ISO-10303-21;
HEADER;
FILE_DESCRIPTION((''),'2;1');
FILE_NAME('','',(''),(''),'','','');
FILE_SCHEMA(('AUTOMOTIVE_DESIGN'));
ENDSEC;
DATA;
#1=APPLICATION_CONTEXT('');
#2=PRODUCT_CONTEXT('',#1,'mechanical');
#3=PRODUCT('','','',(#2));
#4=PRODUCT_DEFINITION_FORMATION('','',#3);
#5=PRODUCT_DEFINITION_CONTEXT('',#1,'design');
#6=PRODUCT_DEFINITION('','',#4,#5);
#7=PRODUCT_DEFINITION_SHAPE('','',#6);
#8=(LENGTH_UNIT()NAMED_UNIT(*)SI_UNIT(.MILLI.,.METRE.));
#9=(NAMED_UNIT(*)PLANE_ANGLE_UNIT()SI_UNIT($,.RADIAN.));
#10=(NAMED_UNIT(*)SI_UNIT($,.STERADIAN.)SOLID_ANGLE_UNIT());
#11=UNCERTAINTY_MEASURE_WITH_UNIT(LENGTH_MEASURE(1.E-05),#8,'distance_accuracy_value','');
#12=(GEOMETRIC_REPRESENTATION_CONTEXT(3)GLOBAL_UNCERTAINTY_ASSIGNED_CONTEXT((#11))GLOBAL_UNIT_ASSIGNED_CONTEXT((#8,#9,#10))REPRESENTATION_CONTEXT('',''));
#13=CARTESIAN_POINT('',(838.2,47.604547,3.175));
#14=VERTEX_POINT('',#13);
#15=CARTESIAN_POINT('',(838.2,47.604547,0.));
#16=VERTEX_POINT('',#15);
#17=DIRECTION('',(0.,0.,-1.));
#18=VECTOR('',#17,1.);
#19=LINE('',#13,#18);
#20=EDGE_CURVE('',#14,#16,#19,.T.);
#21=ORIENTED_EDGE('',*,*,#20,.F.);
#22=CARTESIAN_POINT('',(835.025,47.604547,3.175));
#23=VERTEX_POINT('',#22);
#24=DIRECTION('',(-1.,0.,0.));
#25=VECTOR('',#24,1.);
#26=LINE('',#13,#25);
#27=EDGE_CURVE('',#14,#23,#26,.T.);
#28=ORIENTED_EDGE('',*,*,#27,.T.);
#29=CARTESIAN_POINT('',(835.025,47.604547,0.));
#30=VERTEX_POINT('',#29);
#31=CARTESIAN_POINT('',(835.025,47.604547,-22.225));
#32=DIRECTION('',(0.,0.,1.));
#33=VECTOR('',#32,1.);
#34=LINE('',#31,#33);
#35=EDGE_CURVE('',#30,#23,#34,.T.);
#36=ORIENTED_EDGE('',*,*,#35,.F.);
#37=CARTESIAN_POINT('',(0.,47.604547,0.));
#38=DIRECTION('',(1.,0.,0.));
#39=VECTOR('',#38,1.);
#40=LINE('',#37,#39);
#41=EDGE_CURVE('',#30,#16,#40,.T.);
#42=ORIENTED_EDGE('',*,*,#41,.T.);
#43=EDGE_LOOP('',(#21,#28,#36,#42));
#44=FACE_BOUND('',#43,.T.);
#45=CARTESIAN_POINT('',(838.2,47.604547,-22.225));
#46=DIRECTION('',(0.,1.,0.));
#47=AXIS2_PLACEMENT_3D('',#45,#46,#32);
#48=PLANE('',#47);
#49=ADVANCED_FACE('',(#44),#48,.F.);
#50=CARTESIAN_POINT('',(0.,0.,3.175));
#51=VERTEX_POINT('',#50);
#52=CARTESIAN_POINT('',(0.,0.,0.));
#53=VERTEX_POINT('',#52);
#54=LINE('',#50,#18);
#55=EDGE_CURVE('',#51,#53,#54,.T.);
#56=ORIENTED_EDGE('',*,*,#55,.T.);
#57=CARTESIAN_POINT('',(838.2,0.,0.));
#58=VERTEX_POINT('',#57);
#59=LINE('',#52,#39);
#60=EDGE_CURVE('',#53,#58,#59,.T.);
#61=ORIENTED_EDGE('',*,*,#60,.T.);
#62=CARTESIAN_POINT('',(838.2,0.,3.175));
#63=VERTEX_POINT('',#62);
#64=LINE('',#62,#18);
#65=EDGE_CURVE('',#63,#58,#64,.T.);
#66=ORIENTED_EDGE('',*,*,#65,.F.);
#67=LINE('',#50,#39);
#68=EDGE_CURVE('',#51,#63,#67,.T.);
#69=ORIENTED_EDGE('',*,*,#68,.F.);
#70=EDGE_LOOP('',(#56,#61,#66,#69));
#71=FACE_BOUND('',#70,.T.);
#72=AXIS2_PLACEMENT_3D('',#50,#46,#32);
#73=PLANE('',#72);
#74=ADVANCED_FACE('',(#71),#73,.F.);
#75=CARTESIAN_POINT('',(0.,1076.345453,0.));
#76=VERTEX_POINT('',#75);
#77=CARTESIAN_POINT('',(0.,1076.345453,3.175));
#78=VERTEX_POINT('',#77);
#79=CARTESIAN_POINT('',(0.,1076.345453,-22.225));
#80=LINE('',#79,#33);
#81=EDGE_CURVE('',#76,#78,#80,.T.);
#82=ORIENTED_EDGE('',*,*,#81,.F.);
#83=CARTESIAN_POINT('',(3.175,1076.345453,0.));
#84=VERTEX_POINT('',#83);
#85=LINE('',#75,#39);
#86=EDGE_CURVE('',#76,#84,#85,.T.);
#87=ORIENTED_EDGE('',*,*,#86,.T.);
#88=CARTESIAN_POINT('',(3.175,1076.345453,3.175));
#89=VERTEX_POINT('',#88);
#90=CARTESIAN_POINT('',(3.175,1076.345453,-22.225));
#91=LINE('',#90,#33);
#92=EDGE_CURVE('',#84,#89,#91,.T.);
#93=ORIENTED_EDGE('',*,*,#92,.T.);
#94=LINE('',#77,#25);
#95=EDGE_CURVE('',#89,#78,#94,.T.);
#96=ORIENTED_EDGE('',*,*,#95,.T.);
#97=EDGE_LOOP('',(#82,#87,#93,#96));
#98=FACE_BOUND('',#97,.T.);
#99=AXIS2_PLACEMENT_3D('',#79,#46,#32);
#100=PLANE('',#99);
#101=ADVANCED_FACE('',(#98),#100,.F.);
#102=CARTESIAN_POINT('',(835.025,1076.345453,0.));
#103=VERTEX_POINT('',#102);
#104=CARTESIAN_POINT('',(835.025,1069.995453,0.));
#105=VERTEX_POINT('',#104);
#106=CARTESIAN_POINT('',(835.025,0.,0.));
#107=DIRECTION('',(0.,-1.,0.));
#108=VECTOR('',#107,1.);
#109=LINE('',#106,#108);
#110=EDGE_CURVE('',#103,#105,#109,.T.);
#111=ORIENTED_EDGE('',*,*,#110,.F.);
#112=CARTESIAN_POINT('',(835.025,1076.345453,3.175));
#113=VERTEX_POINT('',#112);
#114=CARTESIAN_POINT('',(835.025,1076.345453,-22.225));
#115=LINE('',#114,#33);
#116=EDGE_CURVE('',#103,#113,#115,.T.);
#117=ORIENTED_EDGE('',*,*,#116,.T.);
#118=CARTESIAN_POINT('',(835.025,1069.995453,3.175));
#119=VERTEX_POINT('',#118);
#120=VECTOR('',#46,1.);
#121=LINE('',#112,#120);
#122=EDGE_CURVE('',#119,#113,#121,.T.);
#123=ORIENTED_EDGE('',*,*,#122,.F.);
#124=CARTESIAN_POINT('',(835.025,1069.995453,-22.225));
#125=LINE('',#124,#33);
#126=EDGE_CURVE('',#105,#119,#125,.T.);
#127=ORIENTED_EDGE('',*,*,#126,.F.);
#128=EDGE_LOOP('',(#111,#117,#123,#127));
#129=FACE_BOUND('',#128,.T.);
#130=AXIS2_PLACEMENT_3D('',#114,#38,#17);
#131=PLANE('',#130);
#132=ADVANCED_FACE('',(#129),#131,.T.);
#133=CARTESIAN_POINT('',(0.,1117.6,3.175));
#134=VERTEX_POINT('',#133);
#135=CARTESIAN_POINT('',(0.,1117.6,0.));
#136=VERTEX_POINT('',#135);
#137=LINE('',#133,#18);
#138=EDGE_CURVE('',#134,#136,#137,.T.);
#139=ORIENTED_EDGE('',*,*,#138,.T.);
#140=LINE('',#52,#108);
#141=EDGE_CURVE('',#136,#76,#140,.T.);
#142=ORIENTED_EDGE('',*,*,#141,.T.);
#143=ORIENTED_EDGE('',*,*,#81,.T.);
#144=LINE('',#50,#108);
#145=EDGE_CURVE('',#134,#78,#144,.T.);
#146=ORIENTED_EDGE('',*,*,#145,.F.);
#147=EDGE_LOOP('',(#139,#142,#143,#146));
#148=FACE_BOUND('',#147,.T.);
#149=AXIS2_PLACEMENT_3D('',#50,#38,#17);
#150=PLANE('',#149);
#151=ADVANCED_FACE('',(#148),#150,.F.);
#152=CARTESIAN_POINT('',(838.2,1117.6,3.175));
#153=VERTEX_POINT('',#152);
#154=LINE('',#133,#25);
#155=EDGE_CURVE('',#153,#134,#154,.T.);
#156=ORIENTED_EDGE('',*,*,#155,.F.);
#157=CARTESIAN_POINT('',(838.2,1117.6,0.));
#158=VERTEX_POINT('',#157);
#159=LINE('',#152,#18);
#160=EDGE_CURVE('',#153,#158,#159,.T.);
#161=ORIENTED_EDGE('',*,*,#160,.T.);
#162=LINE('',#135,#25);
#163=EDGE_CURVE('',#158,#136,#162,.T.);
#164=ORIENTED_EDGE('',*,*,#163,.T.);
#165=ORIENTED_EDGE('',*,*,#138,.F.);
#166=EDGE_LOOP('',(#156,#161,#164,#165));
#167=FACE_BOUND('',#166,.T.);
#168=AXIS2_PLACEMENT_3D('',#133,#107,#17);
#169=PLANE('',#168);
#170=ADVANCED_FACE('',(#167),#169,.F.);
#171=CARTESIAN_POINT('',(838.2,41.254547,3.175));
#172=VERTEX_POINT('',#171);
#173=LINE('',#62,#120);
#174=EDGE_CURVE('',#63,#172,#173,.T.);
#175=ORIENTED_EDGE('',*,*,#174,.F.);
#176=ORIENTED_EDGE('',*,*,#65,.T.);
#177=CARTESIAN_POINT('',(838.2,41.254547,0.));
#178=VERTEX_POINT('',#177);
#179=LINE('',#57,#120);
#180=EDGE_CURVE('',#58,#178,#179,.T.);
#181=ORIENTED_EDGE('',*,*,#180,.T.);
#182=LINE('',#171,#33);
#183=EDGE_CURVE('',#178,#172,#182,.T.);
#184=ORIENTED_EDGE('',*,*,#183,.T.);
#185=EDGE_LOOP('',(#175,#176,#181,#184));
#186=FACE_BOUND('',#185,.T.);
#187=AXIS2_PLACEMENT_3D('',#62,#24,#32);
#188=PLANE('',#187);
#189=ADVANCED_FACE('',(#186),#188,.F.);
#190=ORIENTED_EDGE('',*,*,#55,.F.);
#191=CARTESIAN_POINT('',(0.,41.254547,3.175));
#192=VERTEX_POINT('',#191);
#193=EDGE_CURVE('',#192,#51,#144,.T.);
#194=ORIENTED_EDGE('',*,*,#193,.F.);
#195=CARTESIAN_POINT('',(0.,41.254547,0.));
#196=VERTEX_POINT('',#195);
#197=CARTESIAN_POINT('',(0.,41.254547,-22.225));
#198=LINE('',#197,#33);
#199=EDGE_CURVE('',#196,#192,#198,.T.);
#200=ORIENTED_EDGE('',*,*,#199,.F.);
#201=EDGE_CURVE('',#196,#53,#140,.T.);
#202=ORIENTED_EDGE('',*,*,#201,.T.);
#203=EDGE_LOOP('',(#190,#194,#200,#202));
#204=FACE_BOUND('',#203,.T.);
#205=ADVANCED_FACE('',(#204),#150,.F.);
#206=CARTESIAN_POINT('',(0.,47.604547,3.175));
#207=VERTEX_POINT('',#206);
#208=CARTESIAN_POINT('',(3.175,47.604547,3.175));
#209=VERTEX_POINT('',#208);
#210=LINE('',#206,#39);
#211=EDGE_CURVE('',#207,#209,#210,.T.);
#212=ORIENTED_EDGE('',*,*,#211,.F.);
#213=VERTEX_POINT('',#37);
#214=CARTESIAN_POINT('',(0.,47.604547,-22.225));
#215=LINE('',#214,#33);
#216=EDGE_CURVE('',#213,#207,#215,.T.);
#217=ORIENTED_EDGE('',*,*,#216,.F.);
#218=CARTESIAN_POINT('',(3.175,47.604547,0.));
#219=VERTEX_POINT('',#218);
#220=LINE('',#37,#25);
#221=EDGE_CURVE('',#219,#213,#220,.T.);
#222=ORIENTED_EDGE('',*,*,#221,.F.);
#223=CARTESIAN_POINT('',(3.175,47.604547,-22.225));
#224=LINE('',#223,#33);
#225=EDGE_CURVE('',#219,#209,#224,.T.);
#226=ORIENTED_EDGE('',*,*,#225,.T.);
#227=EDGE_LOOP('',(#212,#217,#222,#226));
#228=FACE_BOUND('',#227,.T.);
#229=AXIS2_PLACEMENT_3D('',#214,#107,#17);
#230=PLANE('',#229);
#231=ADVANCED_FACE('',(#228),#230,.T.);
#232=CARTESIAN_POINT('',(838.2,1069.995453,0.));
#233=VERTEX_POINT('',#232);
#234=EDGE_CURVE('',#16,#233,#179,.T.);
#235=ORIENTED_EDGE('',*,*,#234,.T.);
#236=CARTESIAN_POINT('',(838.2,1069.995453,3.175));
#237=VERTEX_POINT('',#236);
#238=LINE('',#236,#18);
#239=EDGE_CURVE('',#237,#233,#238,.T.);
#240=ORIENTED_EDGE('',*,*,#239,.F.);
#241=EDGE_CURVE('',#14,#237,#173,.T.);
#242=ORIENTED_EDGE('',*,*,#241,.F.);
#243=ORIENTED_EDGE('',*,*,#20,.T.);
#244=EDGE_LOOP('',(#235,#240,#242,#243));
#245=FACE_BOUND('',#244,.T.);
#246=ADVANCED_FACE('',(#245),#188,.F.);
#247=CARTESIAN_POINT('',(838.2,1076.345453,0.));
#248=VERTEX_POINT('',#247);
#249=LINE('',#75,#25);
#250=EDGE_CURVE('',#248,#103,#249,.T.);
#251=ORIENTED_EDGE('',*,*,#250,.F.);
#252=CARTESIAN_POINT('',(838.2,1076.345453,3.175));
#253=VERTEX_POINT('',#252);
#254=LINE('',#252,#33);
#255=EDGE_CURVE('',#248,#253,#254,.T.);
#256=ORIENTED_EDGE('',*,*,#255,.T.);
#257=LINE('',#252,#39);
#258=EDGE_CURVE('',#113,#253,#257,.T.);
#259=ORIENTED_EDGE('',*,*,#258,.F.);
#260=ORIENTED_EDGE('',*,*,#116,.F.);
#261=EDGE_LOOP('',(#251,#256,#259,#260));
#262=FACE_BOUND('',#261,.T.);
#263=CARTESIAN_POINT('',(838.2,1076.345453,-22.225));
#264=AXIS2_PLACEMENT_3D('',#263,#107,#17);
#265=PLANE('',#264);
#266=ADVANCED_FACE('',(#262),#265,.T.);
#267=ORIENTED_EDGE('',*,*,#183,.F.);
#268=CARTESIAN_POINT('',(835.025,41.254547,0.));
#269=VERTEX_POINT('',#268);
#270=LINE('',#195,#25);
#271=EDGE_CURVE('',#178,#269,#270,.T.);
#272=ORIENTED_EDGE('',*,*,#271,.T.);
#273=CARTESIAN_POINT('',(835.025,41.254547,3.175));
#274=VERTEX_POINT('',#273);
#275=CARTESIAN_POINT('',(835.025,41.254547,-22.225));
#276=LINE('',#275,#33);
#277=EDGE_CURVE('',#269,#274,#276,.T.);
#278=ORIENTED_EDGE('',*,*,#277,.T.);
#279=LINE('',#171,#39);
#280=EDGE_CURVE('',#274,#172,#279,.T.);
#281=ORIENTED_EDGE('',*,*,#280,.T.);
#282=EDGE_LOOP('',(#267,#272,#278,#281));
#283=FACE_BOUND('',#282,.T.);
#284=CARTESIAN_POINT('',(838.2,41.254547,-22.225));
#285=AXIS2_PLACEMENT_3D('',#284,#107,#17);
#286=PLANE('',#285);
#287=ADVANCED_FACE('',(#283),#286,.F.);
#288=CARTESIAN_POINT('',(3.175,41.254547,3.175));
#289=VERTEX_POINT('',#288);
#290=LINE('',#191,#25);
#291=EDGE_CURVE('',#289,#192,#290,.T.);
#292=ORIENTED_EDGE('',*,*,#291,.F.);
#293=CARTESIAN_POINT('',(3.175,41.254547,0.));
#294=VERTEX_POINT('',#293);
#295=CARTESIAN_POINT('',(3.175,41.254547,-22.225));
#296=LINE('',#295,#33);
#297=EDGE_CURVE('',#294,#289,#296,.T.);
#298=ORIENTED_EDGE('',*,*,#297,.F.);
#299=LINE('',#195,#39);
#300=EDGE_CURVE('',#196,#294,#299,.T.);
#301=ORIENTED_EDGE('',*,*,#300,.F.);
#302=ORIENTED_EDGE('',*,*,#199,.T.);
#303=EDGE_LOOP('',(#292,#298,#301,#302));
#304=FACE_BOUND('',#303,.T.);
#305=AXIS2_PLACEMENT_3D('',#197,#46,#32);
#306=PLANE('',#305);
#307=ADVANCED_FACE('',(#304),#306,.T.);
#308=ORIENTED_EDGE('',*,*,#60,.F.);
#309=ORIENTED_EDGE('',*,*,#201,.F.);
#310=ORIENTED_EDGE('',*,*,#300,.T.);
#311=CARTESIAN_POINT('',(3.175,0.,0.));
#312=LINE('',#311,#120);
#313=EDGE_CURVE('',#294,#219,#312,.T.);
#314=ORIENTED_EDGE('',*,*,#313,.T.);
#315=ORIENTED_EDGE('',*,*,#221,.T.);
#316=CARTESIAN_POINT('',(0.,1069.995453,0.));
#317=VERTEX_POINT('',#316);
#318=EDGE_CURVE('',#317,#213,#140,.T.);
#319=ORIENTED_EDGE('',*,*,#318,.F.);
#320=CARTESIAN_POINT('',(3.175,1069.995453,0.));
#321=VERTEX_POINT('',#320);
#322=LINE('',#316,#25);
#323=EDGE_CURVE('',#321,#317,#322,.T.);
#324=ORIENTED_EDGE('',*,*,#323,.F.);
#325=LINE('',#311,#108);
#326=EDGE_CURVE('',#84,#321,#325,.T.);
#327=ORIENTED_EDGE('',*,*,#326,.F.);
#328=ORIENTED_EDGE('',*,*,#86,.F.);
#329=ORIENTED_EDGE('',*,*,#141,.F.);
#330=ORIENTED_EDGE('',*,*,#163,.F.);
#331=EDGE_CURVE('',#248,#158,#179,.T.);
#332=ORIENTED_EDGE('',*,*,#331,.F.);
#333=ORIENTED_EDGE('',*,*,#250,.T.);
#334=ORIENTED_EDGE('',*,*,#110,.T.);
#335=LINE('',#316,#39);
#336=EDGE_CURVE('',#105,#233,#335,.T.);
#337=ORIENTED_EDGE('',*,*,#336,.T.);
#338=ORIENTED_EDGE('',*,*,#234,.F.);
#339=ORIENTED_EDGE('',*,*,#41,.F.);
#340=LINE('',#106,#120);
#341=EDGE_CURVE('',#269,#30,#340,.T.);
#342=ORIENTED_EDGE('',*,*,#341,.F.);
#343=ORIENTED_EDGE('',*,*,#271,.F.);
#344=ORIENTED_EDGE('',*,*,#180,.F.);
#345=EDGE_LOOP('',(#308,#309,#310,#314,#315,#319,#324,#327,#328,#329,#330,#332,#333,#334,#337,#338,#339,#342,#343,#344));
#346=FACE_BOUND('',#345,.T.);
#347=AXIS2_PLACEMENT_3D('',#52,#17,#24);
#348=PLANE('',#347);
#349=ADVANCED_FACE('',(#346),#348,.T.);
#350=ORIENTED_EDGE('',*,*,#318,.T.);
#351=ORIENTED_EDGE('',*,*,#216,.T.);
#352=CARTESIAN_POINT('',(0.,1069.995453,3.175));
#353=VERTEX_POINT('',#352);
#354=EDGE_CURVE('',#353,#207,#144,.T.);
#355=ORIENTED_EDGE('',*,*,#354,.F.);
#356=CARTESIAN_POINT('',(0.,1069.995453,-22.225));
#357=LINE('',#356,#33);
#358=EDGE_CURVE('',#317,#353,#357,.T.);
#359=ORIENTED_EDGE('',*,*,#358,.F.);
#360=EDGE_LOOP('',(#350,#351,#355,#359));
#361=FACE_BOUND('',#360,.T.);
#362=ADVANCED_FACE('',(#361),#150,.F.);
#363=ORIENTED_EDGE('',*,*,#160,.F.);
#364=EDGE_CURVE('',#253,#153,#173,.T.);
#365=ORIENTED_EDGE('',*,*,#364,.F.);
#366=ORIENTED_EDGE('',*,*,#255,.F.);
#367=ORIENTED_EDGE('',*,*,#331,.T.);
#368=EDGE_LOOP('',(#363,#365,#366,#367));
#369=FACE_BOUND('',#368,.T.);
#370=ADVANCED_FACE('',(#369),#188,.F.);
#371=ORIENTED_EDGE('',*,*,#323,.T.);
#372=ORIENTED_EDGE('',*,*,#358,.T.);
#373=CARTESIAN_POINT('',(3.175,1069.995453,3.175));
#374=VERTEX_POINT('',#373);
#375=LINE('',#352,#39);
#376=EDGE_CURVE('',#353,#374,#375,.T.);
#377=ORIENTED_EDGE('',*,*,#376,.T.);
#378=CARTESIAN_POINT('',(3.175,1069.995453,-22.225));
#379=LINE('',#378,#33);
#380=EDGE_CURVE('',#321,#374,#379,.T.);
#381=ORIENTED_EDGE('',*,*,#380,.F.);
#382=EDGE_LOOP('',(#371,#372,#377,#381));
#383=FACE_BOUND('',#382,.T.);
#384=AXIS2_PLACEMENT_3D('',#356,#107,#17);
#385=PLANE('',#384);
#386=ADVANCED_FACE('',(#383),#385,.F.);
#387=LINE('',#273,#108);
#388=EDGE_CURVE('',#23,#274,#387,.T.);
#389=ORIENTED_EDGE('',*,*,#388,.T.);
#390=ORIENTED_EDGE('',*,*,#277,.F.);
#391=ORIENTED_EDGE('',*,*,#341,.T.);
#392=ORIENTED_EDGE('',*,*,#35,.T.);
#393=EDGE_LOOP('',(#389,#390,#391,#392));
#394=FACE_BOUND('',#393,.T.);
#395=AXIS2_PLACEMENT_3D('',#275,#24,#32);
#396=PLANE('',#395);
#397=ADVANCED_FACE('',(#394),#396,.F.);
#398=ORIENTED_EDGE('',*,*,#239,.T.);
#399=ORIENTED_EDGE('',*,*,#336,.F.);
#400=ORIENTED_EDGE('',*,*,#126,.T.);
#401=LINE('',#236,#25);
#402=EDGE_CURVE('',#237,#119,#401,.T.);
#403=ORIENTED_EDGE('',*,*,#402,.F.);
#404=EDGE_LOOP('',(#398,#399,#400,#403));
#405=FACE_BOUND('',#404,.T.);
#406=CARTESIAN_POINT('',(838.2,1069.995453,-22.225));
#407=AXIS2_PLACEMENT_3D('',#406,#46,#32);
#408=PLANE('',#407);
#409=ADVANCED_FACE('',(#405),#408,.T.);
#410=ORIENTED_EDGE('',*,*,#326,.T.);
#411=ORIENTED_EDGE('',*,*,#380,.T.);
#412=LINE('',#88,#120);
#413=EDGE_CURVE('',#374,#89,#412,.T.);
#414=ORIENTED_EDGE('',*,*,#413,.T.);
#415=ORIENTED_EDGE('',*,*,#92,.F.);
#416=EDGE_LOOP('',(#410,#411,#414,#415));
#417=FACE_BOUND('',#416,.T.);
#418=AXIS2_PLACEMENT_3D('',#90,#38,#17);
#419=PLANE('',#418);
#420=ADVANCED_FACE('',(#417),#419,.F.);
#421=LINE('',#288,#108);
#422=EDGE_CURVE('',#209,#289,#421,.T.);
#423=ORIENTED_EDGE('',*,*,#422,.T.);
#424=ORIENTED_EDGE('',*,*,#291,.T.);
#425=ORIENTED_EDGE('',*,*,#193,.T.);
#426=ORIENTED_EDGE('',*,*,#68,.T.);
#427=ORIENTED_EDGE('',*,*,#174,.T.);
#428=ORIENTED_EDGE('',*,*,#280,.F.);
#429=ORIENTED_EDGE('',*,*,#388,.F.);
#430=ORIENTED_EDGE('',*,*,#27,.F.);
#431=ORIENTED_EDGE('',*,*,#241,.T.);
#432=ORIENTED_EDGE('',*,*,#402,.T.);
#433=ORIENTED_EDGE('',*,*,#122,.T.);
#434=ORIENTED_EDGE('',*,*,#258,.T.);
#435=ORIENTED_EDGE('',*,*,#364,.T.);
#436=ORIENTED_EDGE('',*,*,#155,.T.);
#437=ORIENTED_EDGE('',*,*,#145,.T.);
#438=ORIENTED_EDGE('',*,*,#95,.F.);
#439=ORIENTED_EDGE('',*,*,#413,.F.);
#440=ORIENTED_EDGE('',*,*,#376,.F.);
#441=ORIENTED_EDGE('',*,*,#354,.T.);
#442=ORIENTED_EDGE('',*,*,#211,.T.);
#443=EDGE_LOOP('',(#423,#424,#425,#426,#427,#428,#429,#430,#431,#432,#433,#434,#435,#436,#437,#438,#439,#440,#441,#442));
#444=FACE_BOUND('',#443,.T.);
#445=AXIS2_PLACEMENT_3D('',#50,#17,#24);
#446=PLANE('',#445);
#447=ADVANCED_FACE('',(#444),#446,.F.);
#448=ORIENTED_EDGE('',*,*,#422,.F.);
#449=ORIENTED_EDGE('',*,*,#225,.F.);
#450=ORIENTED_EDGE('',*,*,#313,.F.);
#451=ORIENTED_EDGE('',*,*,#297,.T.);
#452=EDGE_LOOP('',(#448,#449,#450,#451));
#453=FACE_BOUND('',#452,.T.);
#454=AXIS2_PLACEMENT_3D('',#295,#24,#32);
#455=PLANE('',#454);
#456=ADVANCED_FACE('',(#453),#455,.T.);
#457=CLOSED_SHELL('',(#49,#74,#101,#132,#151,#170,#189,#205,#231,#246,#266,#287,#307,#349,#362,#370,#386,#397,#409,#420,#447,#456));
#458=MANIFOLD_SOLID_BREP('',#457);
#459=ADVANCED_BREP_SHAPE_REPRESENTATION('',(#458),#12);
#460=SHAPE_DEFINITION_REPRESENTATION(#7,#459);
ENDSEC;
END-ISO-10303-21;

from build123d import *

# Parameters (mm, degrees)
SKETCH1_W               = 838.2
SKETCH1_H               = 1117.6
BOSS_EXTRUDE1_DEPTH     = 3.175
SKETCH3_W               = 3.175
SKETCH3_H               = 6.35
CUT_EXTRUDE2_DEPTH      = 25.4
MIRROR3_COPY_1_SKETCH_W = 3.175
MIRROR3_COPY_1_SKETCH_H = 6.35
MIRROR3_COPY_1_DEPTH    = 25.4


with BuildPart() as part:
    # Sketch1 → Boss-Extrude1 (new body)
    with BuildSketch(Plane.XY):
        with Locations((419.1, 558.8)):
            Rectangle(SKETCH1_W, SKETCH1_H)
    extrude(amount=BOSS_EXTRUDE1_DEPTH)

    # Sketch3 → Cut-Extrude2 (cut)
    with BuildSketch(Plane.XY.offset(3.175)):
        with Locations((1.5875, 1073.170453208)):
            Rectangle(SKETCH3_W, SKETCH3_H)
    cut_extrude2 = extrude(amount=-CUT_EXTRUDE2_DEPTH, mode=Mode.SUBTRACT)

    # Mirror1: Cut-Extrude2 across plane
    add(cut_extrude2.mirror(Plane.ZX.offset(558.8)), mode=Mode.SUBTRACT)

    # Mirror3: Cut-Extrude2 across plane
    add(cut_extrude2.mirror(Plane.ZY.offset(-419.1)), mode=Mode.SUBTRACT)

    # Mirror3 copy 1 sketch → Mirror3 copy 1 (cut)
    with BuildSketch(Plane(origin=(838.2, 1117.6, 3.175), x_dir=(-1, 0, 0), z_dir=(0, 0, 1))):
        with Locations((1.5875, 1073.170453208)):
            Rectangle(MIRROR3_COPY_1_SKETCH_W, MIRROR3_COPY_1_SKETCH_H)
    extrude(amount=-MIRROR3_COPY_1_DEPTH, mode=Mode.SUBTRACT)


solid = part.part
